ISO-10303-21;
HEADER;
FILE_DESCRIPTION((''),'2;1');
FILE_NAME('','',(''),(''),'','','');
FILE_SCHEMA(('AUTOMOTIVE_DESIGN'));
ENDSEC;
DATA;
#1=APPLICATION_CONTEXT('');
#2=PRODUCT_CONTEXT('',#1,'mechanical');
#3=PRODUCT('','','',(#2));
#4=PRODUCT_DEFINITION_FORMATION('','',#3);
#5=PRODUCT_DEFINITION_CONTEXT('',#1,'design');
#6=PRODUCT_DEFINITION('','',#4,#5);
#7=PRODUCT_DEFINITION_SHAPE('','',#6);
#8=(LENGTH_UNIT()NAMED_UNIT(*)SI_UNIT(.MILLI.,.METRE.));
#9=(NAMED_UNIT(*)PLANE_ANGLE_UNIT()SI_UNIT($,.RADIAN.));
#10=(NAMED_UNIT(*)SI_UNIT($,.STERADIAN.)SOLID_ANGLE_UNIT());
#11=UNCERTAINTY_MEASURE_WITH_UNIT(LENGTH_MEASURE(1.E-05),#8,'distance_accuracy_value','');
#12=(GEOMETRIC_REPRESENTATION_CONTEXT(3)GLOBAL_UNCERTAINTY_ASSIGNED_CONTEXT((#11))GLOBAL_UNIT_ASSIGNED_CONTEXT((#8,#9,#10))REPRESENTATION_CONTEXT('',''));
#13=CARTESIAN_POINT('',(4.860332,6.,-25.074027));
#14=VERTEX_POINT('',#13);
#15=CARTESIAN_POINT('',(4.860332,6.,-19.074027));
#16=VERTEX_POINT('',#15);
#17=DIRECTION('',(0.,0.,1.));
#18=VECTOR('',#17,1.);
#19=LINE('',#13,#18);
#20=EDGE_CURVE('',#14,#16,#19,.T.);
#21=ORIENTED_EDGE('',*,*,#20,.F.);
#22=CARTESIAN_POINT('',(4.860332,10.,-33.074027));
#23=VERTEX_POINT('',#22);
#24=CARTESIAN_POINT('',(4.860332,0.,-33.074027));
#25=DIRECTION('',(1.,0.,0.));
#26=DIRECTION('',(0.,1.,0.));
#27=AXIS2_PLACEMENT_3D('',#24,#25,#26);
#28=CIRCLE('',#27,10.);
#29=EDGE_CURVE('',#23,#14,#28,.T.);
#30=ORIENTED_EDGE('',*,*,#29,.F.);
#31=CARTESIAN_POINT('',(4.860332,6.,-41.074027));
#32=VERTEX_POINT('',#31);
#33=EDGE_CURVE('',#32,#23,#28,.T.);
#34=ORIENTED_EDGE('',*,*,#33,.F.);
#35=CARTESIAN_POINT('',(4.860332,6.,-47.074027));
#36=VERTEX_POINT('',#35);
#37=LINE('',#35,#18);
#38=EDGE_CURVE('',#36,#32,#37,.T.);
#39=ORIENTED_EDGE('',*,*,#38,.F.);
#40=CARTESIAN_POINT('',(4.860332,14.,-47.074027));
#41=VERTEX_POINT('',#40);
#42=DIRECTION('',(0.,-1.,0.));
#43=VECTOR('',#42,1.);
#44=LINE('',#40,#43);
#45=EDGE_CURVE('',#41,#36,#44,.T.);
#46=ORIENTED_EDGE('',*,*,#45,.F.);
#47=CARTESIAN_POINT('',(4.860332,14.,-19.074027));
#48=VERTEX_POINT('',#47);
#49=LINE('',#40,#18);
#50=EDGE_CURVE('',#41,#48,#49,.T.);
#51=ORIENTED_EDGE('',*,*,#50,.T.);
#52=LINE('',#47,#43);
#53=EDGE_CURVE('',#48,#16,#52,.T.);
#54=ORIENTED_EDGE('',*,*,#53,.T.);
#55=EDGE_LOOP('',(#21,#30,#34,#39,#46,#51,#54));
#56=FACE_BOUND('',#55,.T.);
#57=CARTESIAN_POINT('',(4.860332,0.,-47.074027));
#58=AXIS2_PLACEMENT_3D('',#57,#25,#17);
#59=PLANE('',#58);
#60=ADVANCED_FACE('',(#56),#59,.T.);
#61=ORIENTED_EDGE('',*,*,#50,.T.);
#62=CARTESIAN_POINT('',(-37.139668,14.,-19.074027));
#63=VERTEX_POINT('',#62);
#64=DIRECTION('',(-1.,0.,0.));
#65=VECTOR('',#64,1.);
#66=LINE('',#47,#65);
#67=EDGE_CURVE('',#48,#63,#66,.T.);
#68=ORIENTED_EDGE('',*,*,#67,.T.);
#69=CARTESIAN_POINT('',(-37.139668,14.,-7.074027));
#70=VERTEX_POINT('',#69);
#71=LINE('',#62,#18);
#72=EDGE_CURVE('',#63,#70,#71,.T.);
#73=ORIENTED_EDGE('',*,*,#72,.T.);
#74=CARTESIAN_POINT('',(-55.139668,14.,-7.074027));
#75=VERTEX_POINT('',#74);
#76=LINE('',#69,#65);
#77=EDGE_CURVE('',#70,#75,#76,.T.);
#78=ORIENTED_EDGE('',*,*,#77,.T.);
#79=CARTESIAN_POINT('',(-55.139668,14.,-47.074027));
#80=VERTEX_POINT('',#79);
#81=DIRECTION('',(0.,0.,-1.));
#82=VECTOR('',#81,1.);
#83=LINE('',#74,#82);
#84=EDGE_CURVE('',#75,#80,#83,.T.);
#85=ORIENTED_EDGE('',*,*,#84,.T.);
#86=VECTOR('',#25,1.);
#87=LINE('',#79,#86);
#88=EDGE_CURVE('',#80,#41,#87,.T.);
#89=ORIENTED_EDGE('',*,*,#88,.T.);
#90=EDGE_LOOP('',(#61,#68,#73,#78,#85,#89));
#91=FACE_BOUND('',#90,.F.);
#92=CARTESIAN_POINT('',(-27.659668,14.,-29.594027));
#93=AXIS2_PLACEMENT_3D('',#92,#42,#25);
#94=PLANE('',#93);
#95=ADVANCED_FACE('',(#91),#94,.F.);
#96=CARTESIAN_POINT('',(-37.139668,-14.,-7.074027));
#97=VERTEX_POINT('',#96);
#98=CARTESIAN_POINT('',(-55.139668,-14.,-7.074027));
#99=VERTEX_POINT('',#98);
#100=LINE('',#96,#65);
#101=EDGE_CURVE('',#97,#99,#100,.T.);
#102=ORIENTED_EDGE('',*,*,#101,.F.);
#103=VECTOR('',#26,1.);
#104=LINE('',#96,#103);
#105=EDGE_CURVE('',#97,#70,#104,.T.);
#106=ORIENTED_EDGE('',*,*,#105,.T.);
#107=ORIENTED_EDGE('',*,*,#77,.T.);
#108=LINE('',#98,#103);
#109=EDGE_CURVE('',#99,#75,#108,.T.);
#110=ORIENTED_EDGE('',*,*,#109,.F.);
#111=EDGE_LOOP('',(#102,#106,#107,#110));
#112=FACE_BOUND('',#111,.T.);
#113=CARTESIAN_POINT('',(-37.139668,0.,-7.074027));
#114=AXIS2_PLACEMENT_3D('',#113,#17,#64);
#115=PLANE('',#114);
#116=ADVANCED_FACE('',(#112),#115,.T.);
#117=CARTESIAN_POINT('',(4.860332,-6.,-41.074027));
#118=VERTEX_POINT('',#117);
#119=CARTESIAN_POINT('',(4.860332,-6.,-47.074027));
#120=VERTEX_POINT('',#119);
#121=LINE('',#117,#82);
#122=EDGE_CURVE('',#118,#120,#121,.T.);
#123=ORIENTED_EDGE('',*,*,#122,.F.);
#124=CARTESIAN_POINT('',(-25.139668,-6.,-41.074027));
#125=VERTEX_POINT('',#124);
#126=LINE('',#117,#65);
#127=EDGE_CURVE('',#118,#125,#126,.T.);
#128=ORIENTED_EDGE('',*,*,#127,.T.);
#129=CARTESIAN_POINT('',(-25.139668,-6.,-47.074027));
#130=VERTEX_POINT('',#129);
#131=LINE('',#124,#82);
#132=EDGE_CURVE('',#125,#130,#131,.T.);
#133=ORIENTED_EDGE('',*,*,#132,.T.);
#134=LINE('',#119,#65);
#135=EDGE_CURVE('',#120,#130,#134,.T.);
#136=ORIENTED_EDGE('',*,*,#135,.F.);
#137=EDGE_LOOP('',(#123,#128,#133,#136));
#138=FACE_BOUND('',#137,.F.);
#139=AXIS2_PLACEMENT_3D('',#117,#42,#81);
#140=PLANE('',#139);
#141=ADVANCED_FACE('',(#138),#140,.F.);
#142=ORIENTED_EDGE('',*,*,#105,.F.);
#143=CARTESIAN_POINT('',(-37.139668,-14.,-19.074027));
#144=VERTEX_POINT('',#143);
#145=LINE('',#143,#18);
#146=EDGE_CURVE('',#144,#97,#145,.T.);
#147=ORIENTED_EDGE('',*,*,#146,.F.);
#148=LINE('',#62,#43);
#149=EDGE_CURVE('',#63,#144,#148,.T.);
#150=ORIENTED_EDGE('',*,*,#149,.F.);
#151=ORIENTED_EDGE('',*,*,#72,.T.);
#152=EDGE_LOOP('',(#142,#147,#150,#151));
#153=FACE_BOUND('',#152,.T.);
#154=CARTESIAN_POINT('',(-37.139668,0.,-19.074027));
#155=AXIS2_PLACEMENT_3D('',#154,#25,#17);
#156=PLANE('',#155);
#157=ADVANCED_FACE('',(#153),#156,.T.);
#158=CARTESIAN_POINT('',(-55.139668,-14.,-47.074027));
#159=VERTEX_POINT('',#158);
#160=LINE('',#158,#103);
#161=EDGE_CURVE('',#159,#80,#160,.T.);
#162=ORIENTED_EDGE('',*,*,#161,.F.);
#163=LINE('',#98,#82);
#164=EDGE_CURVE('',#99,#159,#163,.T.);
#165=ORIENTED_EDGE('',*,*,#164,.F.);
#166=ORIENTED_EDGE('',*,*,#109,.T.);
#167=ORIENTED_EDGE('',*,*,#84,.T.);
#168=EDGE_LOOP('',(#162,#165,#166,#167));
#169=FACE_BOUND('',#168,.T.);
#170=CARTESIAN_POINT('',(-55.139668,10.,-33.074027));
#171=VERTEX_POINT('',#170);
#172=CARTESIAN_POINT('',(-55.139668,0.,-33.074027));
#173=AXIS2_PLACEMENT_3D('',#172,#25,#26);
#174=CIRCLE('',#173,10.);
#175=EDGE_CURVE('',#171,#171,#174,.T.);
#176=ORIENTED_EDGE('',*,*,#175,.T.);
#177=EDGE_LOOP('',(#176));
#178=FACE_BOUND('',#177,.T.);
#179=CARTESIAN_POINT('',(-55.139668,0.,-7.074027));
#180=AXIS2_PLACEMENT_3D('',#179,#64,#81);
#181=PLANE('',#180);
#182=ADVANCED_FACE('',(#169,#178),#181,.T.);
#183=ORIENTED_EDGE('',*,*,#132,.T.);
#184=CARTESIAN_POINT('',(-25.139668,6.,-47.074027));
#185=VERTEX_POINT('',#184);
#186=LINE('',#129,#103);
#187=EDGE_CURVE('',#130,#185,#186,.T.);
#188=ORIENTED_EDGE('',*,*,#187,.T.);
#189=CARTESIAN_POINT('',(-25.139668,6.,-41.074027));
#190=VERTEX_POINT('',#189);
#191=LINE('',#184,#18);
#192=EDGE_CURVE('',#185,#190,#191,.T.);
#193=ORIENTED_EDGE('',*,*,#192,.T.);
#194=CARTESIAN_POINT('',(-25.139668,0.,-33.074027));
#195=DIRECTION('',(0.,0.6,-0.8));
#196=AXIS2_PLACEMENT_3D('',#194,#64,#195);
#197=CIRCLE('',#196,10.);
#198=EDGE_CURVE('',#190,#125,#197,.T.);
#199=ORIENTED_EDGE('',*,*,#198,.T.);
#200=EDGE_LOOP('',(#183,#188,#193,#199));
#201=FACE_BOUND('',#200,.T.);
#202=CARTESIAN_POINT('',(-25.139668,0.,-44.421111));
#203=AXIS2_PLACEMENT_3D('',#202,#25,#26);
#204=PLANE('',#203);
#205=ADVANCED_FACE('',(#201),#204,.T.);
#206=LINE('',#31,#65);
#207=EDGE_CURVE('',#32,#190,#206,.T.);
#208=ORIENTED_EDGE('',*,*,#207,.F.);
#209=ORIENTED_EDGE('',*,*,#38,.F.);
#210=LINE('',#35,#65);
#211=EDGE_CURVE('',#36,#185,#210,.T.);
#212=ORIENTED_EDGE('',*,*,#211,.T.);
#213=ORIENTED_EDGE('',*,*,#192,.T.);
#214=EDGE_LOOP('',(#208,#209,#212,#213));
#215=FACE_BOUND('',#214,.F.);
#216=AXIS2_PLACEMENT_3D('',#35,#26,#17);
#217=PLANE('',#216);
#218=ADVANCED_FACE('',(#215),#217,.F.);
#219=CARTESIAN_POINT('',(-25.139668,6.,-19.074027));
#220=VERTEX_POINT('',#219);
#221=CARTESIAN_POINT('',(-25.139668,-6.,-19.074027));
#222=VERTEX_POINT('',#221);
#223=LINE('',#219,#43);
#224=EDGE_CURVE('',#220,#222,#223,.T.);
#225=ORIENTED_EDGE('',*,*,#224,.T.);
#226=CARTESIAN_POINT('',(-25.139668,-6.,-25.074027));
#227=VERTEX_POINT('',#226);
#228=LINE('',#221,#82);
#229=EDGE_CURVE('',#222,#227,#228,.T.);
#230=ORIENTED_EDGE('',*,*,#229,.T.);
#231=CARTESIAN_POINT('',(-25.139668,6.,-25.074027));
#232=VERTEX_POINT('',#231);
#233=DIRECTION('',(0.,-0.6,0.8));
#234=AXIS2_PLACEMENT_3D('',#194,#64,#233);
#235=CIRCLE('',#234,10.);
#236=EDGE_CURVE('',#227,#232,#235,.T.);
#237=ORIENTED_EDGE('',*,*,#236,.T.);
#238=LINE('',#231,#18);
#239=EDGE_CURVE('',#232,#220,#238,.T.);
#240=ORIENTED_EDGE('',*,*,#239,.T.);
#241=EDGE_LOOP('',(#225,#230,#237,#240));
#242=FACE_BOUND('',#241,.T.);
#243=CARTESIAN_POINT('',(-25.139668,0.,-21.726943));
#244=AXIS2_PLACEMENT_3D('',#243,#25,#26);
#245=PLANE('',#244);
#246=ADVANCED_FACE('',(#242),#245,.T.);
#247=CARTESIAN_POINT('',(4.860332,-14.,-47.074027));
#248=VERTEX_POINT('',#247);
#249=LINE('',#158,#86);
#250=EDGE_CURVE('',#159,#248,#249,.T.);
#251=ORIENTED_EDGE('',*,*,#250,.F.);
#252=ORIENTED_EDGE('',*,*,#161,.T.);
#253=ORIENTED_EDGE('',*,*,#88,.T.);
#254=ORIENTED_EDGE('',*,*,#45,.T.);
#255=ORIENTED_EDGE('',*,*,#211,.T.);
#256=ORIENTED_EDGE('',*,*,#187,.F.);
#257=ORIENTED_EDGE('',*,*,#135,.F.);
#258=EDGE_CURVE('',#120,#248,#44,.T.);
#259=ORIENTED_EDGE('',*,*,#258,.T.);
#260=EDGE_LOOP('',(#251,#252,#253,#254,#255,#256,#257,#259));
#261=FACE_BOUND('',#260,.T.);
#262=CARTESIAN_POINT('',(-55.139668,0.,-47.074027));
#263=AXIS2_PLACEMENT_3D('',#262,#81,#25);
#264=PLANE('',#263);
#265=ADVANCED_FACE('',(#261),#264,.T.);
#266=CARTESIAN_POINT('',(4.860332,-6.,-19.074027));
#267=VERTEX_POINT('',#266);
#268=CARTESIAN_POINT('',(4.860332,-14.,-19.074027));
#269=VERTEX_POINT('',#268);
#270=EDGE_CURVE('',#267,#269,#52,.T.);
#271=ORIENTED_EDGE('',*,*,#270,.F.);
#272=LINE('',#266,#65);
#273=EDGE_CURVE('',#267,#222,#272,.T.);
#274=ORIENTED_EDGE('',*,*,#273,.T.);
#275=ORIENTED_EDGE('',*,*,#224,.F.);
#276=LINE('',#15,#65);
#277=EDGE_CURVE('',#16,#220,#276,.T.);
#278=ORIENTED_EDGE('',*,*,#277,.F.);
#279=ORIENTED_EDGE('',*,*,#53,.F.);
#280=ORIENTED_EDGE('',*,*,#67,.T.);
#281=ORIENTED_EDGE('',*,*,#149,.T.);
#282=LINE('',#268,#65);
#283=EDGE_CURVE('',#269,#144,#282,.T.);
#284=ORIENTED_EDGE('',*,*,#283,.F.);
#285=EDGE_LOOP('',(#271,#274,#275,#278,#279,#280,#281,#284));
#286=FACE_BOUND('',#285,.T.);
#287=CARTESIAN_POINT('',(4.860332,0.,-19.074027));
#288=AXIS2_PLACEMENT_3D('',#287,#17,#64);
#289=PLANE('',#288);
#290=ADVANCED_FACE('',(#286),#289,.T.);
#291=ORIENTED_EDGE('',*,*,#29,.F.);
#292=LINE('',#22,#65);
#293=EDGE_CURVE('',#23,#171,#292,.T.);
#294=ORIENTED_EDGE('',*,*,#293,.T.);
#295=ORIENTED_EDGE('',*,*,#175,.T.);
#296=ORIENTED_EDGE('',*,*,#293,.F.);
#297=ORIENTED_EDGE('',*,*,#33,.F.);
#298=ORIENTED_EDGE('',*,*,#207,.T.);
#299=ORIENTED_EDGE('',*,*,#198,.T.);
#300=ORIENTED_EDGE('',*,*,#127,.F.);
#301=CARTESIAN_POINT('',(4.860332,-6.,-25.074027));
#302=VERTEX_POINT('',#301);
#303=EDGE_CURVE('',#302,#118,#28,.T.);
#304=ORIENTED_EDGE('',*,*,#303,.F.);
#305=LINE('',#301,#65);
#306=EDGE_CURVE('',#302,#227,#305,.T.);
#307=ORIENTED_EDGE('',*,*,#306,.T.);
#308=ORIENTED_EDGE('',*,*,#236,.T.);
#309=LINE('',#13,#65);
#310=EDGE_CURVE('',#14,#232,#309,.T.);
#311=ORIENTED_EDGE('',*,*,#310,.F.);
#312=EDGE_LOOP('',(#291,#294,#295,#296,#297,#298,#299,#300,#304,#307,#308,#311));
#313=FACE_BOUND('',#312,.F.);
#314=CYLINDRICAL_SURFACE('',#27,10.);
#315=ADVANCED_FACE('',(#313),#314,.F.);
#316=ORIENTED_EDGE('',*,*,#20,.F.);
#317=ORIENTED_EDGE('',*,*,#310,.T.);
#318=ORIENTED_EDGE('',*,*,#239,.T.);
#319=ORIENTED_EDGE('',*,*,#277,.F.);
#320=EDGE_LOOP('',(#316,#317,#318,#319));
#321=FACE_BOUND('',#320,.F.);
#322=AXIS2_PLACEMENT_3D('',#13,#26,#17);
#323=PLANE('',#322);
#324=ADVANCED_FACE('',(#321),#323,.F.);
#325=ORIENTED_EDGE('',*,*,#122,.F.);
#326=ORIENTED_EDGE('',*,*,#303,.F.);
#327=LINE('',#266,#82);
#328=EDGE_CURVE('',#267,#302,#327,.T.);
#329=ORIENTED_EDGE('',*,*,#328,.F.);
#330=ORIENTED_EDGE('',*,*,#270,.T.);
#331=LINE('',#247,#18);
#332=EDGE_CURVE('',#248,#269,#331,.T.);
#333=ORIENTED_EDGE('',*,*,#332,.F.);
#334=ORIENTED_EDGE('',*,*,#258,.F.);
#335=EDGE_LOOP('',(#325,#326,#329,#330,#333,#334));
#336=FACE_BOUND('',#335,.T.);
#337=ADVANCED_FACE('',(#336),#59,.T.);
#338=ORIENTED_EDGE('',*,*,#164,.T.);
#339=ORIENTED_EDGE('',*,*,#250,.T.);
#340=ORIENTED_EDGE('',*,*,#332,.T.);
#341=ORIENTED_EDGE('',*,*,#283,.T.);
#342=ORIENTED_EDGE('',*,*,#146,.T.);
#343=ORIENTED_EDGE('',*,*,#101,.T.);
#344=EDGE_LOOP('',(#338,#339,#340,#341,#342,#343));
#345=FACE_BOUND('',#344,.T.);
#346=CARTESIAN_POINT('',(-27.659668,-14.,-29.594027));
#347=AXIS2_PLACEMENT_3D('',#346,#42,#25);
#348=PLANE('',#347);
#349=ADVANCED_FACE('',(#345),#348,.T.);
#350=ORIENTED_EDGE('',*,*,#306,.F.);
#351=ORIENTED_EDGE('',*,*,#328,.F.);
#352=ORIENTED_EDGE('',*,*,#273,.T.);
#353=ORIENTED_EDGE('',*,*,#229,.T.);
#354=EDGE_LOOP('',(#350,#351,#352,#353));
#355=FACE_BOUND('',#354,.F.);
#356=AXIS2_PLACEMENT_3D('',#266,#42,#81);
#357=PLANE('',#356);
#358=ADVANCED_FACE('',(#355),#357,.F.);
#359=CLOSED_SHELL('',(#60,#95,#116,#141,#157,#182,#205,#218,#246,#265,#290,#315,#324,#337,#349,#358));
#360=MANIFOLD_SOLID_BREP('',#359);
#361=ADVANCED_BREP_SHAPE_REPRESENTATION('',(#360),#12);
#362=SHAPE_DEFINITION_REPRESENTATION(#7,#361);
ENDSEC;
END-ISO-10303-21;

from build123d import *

# Parameters (mm, degrees)
F1_DEPTH = 14
F2_R     = 10
F3_DEPTH = 60.001
F5_DEPTH = 30


with BuildPart() as f1:
    # F0 (on Front) → F1 (new body, symmetric)
    with BuildSketch(Plane.XZ):
        Polygon((-55.1396682858, -47.0740273595), (4.8603317142, -47.0740273595), (4.8603317142, -19.0740273595), (-37.1396682858, -19.0740273595), (-37.1396682858, -7.0740273595), (-55.1396682858, -7.0740273595), align=None)
    extrude(amount=F1_DEPTH, both=True)

    # F2 (on face) → F3 (cut, through all)
    with BuildSketch(Plane.YZ.offset(4.8603317142)):
        with Locations((0, -33.0740273595)):
            Circle(F2_R)
    extrude(amount=-F3_DEPTH, mode=Mode.SUBTRACT)

    # F4 (on face) → F5 (cut)
    with BuildSketch(Plane.YZ.offset(4.8603317142)):
        with BuildLine():
            Line((6, -25.0740273595), (6, -19.0740273595))
            Line((6, -19.0740273595), (-6, -19.0740273595))
            Line((-6, -19.0740273595), (-6, -25.0740273595))
            ThreePointArc((-6, -25.0740273595), (0, -23.0740273595), (6, -25.0740273595))
        make_face()
        with BuildLine():
            Line((6, -47.0740273595), (6, -41.0740273595))
            ThreePointArc((6, -41.0740273595), (0, -43.0740273595), (-6, -41.0740273595))
            Line((-6, -41.0740273595), (-6, -47.0740273595))
            Line((-6, -47.0740273595), (6, -47.0740273595))
        make_face()
    extrude(amount=-F5_DEPTH, mode=Mode.SUBTRACT)


solid = f1.part
